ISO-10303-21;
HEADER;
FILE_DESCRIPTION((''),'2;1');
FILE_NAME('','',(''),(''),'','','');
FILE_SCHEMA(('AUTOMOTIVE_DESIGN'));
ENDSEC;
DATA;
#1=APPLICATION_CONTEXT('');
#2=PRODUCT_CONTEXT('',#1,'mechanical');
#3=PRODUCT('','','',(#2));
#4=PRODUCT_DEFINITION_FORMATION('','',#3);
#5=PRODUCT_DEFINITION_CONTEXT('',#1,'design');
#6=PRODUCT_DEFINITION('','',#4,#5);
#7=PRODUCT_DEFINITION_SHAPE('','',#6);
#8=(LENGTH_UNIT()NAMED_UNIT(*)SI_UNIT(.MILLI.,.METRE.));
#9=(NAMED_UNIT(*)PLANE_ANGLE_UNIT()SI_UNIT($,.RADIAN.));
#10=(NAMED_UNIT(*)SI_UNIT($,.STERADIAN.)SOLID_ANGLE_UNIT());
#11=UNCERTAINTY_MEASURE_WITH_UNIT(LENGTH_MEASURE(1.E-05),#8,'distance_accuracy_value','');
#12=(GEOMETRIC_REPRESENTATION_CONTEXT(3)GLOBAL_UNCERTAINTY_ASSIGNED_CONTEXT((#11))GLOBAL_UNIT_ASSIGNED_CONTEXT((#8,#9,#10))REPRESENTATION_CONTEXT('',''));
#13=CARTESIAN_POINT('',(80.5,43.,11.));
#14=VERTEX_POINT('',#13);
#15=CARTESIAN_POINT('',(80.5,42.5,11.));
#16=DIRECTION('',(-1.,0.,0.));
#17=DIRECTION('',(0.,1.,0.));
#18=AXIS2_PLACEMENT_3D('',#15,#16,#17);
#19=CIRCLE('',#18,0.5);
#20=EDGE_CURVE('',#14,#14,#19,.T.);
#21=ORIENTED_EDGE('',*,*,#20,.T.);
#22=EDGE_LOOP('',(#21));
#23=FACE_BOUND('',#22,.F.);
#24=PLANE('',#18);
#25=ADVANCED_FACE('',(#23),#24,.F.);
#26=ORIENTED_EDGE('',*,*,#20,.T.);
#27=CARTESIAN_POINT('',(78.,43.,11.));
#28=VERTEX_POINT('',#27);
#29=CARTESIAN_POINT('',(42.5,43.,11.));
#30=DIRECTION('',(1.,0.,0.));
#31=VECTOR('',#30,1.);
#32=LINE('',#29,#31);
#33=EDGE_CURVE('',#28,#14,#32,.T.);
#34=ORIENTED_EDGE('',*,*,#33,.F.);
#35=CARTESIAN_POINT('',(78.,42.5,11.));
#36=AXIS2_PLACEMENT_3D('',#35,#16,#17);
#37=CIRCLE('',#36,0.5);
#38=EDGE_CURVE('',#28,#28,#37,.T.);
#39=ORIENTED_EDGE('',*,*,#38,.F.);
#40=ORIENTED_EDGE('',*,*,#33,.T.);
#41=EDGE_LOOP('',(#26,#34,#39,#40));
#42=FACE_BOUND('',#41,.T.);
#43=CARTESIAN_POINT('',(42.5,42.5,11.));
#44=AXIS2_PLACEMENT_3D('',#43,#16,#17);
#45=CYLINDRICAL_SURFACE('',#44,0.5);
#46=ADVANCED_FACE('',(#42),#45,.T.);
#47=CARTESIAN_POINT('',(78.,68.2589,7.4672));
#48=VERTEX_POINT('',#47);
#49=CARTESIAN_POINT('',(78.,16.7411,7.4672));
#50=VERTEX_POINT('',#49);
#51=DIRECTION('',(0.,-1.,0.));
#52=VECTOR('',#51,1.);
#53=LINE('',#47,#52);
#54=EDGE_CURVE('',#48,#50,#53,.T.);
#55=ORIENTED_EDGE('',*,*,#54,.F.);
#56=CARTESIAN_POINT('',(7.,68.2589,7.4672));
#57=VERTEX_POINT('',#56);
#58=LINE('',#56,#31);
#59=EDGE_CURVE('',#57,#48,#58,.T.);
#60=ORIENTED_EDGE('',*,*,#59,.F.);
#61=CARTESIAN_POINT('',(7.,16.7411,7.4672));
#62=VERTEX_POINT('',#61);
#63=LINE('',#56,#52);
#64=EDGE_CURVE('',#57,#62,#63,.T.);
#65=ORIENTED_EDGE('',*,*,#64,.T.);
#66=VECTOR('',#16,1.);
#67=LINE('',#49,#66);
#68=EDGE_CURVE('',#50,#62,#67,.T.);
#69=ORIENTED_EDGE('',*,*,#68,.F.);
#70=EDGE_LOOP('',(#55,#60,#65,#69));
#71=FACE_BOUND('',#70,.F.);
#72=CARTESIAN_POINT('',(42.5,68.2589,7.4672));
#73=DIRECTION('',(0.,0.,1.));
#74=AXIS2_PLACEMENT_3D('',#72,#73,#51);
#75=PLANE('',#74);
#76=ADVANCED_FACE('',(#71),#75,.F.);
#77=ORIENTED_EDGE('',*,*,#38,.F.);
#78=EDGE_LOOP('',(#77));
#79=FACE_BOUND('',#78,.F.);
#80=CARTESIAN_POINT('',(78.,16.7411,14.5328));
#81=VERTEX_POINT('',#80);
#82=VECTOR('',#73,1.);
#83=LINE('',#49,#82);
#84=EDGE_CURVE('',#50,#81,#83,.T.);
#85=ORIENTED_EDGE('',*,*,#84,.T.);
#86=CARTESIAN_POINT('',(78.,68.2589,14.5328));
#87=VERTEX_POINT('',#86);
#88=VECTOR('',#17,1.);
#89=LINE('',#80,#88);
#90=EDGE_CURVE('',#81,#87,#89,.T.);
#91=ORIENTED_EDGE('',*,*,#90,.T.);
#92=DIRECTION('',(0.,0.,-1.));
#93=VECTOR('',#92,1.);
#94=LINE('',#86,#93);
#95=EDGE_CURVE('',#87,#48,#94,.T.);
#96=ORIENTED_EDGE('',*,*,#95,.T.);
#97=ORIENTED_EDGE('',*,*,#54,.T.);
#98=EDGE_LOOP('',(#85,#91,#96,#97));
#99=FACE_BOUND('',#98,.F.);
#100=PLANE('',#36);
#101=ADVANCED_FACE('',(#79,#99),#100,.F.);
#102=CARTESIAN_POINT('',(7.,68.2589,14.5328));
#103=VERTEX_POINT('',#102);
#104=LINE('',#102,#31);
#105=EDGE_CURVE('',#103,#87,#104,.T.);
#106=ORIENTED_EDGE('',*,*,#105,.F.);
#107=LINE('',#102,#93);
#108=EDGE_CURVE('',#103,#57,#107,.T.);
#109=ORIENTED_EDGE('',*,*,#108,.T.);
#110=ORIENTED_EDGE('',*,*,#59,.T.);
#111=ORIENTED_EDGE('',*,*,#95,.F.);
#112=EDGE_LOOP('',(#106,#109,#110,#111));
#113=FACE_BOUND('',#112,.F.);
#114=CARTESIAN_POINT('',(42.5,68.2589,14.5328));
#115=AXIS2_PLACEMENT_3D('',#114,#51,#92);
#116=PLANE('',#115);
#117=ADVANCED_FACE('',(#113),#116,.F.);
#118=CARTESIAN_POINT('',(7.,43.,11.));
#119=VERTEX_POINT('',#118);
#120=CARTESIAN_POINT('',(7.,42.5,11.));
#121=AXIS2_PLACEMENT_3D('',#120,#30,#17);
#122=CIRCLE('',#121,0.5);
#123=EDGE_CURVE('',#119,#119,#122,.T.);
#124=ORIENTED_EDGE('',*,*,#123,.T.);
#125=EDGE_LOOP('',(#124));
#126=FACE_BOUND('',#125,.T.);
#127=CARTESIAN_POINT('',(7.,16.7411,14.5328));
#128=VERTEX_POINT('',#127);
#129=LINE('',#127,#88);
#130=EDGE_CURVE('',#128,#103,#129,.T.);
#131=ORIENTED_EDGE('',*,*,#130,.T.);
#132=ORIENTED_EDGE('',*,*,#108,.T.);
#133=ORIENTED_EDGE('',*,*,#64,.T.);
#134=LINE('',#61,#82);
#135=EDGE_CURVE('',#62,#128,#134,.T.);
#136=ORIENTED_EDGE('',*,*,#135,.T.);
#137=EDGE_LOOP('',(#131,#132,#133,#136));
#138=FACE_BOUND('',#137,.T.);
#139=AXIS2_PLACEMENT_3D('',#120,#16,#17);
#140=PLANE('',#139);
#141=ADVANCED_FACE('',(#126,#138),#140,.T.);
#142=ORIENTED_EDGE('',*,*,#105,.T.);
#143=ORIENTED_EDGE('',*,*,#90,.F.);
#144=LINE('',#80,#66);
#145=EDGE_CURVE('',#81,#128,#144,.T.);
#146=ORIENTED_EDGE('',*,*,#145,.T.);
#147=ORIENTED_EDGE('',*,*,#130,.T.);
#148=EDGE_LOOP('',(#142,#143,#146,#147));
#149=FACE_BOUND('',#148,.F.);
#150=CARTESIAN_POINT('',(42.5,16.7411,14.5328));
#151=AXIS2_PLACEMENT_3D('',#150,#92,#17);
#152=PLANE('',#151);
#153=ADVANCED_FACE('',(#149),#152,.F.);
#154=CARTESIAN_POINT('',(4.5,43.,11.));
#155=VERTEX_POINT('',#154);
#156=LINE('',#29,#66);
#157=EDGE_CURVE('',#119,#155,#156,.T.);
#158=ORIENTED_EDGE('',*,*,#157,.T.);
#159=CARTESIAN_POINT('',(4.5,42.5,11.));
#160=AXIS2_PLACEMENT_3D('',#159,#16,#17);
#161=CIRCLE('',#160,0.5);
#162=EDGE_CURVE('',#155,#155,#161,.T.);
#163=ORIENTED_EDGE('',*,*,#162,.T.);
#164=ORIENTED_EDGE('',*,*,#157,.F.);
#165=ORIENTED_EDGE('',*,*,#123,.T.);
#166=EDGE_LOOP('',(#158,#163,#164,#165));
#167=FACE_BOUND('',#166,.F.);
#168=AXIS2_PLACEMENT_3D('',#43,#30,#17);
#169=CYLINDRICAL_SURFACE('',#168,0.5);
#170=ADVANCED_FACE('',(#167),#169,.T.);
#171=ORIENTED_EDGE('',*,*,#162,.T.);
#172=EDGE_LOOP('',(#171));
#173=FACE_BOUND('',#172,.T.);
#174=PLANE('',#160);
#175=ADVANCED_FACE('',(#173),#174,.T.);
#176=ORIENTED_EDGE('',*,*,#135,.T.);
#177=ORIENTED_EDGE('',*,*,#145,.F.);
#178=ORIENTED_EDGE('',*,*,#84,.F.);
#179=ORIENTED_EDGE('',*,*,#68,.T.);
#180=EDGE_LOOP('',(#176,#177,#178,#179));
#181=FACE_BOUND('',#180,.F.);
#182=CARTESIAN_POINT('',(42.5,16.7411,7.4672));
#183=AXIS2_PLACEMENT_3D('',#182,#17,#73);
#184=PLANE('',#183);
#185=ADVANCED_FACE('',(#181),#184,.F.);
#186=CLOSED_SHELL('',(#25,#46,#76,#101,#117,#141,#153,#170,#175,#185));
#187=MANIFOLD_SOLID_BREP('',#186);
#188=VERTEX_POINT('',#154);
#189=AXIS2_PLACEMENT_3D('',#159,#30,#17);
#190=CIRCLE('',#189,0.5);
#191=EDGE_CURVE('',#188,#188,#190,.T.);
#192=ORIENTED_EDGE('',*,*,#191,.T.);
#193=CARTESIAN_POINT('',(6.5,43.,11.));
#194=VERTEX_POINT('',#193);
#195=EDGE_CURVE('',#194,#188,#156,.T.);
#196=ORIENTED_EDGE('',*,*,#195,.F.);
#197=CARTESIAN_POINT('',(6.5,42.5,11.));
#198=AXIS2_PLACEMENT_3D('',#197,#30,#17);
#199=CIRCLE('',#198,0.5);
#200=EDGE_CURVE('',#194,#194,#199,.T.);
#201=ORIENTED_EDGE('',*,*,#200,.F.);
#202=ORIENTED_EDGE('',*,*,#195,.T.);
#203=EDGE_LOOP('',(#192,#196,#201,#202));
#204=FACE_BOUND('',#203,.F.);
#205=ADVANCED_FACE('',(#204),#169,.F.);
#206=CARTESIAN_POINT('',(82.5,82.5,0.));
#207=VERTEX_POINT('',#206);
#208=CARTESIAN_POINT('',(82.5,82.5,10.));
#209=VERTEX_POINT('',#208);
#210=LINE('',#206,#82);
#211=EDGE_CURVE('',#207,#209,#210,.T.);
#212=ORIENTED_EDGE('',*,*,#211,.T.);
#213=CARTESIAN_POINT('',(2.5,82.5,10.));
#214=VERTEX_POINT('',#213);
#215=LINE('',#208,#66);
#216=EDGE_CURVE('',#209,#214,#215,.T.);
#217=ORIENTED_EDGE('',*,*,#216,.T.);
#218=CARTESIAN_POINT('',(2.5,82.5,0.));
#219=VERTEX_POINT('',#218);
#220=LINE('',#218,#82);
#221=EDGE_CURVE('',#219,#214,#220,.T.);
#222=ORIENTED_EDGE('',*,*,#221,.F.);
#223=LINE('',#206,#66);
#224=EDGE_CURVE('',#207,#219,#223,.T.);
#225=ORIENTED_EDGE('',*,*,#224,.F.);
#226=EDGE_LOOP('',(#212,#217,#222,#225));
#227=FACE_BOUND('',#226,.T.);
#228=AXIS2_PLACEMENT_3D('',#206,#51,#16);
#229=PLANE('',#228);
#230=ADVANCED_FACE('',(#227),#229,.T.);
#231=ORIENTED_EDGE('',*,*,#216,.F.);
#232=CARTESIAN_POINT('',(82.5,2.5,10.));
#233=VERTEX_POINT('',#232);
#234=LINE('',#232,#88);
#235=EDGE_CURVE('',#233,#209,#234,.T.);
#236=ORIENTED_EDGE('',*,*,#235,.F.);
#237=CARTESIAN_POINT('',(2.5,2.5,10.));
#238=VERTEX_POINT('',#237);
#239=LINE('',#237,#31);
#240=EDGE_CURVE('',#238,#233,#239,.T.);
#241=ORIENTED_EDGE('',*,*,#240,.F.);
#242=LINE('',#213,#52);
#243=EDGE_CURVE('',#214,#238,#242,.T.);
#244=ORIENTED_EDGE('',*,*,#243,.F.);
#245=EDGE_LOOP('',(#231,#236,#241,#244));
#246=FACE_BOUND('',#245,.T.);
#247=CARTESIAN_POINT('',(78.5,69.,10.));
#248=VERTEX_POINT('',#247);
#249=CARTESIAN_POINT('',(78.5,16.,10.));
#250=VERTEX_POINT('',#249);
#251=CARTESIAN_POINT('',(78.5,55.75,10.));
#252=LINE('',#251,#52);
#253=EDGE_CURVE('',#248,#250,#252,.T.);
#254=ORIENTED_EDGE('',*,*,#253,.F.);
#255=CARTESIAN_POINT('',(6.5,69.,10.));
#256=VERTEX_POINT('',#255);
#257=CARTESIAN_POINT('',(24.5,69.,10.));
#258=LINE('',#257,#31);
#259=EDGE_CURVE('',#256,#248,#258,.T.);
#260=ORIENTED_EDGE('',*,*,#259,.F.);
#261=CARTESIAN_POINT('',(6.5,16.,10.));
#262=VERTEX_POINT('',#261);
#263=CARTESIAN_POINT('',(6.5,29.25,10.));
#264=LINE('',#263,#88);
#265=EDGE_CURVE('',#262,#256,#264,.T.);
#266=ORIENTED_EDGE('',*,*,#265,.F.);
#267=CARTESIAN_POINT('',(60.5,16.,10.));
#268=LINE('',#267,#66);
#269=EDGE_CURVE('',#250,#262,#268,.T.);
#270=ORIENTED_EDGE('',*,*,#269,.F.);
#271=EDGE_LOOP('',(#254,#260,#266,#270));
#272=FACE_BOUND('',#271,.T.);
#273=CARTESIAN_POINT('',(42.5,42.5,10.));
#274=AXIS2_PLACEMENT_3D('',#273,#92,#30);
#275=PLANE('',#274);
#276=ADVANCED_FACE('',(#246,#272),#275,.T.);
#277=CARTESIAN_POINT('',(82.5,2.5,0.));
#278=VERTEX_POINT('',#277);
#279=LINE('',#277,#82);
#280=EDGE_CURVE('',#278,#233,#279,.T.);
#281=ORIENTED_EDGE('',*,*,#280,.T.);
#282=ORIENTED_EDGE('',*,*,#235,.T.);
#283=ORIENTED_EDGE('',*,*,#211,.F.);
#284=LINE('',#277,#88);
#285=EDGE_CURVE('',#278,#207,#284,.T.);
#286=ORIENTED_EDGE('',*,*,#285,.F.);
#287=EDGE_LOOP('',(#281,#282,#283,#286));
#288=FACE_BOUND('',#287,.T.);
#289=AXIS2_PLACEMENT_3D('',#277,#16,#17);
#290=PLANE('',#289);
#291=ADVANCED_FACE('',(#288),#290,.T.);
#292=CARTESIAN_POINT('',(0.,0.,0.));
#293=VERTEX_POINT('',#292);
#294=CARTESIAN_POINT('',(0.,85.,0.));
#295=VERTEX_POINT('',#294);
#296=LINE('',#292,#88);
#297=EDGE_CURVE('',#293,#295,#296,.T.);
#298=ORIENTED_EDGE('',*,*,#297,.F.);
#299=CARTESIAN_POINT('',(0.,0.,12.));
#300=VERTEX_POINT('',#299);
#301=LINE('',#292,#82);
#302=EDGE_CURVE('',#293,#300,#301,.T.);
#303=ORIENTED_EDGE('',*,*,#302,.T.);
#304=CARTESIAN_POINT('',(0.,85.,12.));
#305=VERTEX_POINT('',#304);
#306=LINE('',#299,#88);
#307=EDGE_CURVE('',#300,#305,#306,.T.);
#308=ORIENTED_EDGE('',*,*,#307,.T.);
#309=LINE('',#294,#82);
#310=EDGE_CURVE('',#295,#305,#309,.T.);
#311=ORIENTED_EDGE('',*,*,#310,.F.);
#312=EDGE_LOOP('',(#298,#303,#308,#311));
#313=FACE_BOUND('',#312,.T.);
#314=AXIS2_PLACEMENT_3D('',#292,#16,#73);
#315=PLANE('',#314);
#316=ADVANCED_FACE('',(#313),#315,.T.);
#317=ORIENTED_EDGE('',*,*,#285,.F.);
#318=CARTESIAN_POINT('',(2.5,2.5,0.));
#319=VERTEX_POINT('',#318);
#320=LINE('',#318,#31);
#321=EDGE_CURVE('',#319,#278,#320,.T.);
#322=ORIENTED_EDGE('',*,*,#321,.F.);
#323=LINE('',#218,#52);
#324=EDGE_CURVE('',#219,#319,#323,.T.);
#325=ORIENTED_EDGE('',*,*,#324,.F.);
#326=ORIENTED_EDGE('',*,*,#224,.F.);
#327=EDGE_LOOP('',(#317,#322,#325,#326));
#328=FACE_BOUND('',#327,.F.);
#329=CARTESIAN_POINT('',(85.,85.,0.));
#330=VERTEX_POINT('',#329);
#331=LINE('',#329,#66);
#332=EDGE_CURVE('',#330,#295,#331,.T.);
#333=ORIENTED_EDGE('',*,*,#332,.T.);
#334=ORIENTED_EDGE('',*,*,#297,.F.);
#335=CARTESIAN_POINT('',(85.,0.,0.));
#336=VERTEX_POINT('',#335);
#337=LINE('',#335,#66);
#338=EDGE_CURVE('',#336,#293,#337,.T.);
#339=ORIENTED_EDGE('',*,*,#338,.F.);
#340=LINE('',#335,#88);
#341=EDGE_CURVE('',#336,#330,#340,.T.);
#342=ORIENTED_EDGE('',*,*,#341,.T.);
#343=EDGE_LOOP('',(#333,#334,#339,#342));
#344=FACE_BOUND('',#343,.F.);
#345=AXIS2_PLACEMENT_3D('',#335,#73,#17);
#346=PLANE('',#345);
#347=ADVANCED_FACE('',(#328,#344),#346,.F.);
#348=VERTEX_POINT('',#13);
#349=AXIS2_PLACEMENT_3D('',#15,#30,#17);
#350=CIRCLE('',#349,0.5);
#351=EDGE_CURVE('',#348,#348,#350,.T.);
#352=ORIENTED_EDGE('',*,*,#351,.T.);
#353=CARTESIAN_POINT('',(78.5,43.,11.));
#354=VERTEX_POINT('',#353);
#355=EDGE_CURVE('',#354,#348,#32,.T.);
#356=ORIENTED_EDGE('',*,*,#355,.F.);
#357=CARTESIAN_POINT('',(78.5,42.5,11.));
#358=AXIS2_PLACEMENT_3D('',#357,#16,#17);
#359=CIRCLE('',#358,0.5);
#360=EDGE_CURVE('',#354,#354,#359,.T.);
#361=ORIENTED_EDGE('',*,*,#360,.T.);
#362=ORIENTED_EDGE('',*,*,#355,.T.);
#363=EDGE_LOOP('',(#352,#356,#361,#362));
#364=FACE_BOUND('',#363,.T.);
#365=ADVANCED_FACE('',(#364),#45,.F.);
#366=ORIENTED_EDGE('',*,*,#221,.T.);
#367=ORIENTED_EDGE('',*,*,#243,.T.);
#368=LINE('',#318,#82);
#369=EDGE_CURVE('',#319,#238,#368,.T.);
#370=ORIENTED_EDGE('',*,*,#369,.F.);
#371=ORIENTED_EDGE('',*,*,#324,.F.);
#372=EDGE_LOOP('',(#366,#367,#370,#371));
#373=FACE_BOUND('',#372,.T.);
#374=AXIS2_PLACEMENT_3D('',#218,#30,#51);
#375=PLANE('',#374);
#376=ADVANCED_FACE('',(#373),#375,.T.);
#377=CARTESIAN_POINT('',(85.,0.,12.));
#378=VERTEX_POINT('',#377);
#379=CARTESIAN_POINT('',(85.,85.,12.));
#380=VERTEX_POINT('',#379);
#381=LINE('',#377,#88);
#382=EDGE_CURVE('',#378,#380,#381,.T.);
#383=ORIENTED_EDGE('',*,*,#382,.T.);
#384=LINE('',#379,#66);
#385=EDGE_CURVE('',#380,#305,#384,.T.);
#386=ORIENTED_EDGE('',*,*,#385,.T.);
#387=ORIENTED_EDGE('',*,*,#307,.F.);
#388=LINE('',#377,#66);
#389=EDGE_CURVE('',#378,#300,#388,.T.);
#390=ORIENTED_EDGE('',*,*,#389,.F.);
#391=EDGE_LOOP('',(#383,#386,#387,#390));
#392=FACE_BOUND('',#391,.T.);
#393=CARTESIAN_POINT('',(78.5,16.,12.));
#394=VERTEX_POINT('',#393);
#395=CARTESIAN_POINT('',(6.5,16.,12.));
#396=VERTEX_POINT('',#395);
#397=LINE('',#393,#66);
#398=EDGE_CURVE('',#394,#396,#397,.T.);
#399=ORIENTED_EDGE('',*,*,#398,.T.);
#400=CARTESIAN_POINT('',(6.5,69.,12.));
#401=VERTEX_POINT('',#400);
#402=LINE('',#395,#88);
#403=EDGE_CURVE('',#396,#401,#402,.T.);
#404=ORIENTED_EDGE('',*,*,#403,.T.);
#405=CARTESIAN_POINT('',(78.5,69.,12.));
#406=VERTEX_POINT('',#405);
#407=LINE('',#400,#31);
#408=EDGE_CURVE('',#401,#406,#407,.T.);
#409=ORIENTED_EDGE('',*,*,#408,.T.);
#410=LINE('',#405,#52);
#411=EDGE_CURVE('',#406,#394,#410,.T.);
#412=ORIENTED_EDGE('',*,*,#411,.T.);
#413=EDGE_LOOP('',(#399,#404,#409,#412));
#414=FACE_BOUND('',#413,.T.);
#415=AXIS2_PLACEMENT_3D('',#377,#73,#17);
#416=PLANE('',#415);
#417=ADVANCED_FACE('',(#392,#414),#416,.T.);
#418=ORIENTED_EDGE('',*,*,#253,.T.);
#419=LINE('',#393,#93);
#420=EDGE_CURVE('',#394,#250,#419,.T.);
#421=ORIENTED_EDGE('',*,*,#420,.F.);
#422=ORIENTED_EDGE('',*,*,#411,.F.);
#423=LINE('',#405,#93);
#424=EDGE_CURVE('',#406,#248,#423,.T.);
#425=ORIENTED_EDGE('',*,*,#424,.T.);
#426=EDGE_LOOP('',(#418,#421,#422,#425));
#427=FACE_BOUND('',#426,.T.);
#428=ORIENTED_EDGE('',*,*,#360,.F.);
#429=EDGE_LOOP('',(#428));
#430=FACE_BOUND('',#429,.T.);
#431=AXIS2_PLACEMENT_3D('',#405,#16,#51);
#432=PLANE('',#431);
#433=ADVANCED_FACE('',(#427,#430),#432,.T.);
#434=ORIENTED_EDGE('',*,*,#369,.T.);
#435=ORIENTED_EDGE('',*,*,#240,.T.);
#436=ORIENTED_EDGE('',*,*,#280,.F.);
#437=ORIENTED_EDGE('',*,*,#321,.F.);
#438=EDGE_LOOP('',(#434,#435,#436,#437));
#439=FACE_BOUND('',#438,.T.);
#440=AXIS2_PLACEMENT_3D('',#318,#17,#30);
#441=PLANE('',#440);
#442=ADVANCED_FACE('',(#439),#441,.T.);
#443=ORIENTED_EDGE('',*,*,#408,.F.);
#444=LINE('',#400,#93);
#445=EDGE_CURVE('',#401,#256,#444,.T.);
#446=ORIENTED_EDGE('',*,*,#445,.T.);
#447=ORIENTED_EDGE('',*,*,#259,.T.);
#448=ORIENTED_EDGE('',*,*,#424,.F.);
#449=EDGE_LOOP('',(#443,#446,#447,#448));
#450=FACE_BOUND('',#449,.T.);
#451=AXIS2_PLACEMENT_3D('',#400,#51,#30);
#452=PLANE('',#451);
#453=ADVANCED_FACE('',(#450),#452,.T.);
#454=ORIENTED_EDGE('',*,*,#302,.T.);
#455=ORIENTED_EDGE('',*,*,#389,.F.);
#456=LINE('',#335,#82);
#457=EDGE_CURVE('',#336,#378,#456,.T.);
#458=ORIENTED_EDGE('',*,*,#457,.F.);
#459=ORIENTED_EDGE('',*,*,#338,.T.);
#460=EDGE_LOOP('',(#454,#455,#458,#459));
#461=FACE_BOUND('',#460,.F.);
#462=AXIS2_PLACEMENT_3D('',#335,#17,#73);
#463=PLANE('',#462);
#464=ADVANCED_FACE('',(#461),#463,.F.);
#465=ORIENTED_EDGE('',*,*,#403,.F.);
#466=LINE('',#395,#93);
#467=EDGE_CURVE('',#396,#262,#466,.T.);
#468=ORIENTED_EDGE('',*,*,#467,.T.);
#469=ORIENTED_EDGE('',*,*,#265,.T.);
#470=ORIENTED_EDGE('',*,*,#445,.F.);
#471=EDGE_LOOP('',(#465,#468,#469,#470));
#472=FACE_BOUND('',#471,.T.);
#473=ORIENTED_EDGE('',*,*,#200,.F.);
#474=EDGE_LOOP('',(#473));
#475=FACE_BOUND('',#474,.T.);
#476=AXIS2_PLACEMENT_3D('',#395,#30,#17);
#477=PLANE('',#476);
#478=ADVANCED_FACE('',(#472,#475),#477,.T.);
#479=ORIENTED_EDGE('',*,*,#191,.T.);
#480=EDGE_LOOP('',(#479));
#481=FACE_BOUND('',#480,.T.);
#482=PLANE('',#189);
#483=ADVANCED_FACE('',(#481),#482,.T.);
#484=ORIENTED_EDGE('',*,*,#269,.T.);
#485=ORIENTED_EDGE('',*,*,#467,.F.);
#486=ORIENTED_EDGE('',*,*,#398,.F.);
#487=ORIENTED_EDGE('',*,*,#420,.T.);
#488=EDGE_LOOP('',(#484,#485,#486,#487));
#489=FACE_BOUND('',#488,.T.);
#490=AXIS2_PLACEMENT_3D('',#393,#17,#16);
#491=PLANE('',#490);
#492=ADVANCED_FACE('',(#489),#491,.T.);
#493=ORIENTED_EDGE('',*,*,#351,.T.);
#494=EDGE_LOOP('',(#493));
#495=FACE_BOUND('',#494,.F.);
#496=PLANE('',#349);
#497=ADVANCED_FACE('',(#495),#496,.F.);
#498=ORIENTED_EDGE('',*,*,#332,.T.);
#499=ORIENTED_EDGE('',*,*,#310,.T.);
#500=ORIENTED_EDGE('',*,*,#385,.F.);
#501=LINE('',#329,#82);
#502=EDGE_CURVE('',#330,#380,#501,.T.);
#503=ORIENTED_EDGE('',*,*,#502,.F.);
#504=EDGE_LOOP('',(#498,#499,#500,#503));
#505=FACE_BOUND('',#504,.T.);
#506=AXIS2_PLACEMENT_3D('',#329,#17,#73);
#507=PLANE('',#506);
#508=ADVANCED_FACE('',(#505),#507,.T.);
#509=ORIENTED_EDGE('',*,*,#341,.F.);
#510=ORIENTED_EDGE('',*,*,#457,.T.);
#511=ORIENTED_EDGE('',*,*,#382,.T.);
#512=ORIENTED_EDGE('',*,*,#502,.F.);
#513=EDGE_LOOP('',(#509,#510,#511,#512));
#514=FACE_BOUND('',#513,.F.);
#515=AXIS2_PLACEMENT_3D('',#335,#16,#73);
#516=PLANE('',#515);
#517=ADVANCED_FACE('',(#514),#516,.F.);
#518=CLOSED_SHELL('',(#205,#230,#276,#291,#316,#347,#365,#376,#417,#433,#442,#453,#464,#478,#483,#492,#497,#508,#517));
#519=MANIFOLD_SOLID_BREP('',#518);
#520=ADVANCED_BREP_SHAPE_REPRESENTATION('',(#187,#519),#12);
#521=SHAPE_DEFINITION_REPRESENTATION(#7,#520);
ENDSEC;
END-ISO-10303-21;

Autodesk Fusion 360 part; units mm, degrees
box "BoxPrimitive3" add length 85 width 85 height 12 placed x (0, 1, 0) y (-1, 0, 0) z (0, 0, 1) at (85, 0, 0) makes body 1 in component "panel"
ref_plane "WorkPlane1" through (42.5, 42.5, 12) normal (0, 0, 1) x (0, 1, 0) in component "panel"
sketch "Sketch5" plane through (42.5, 42.5, 12) normal (0, 0, 1) x (1, 0, 0) in component "panel"
  line L0 (-36, 26.5) -> (36, 26.5)
  line L1 (36, 26.5) -> (36, -26.5)
  line L2 (36, -26.5) -> (-36, -26.5)
  line L3 (-36, -26.5) -> (-36, 26.5)
  dimension "d59" = 72
  dimension "d60" = 53
  dimension "d61" = 36
  dimension "d63" = 26.5
extrude "Extrude3" cut sketch "Sketch5" against normal through all bodies 1 in component "panel"
ref_plane "WorkPlane2" through (42.5, 42.5, 0) normal (0, 0, -1) x (0, -1, 0) in component "panel"
sketch "Sketch7" plane through (42.5, 42.5, 0) normal (0, 0, -1) x (1, 0, 0) in component "panel"
  line L0 (-40, 40) -> (40, 40)
  line L1 (40, 40) -> (40, -40)
  line L2 (40, -40) -> (-40, -40)
  line L3 (-40, -40) -> (-40, 40)
  line L4 (-42.5, 42.5) -> (-42.5, -42.5)
  line L5 (42.5, -42.5) -> (42.5, 42.5)
  line L6 (42.5, 42.5) -> (-42.5, 42.5)
  line L7 (-42.5, -42.5) -> (42.5, -42.5)
  dimension "d110" = 2.5
  dimension "d112" = 2.5
  dimension "d113" = 2.5
  dimension "d114" = 2.5
extrude "Extrude4" cut sketch "Sketch7" against normal blind 10 contours L0 L1 L2 L3 bodies 1 in component "panel"
ref_plane "WorkPlane1" through (42.5, 42.5, 11) normal (-1, 0, 0) x (0, 1, 0) in component "Button"
sketch "Sketch3" plane through (42.5, 42.5, 11) normal (-1, 0, 0) x (0, 1, 0) in component "Button"
  line L0 (-25.7589, 3.5328) -> (-25.7589, -3.5328)
  line L1 (-25.7589, -3.5328) -> (25.7589, -3.5328)
  line L2 (25.7589, -3.5328) -> (25.7589, 3.5328)
  line L3 (25.7589, 3.5328) -> (-25.7589, 3.5328)
  line L4 (-25.7589, 3.5328) -> (25.7589, -3.5328) construction
  line L5 (-25.7589, -3.5328) -> (25.7589, 3.5328) construction
  line L6 (-25.7589, -3.5328) -> (-24.8077, 3.4023) construction
  line L7 (25.7589, -3.5328) -> (24.8077, 3.4023) construction
  line L8 (0, 0) -> (0, -3.5328) construction
  dimension "d96" = 7
  dimension "d97" = 52
extrude "Extrude1" add sketch "Sketch3" along normal mid plane 71 separate body makes body 2 in component "Button"
ref_plane "WorkPlane4" through (42.5, 42.5, 11) normal (1, 0, 0) x (0, -1, 0) in component "panel"
sketch "Sketch9" plane through (42.5, 42.5, 11) normal (1, 0, 0) x (0, 1, 0) in component "panel"
  circle A0 centre (0, 0) radius 0.5
  dimension "d100" = 1
extrude "Extrude6" cut sketch "Sketch9" along normal mid plane 76 bodies 1 in component "panel"
sketch "Sketch4" plane through (42.5, 42.5, 11) normal (-1, 0, 0) x (0, 1, 0) in component "Button"
  circle A0 centre (0, 0) radius 0.5
  dimension "d103" = 1
extrude "Extrude2" add sketch "Sketch4" along normal mid plane 76 bodies 2 in component "Button"
component "panel" placed x (1, 0, 0) y (0, 1, 0) z (0, 0, 1) at (0, 0, 0)
component "Button" placed x (1, 0, 0) y (0, 1, 0) z (0, 0, 1) at (0, 0, 0)
